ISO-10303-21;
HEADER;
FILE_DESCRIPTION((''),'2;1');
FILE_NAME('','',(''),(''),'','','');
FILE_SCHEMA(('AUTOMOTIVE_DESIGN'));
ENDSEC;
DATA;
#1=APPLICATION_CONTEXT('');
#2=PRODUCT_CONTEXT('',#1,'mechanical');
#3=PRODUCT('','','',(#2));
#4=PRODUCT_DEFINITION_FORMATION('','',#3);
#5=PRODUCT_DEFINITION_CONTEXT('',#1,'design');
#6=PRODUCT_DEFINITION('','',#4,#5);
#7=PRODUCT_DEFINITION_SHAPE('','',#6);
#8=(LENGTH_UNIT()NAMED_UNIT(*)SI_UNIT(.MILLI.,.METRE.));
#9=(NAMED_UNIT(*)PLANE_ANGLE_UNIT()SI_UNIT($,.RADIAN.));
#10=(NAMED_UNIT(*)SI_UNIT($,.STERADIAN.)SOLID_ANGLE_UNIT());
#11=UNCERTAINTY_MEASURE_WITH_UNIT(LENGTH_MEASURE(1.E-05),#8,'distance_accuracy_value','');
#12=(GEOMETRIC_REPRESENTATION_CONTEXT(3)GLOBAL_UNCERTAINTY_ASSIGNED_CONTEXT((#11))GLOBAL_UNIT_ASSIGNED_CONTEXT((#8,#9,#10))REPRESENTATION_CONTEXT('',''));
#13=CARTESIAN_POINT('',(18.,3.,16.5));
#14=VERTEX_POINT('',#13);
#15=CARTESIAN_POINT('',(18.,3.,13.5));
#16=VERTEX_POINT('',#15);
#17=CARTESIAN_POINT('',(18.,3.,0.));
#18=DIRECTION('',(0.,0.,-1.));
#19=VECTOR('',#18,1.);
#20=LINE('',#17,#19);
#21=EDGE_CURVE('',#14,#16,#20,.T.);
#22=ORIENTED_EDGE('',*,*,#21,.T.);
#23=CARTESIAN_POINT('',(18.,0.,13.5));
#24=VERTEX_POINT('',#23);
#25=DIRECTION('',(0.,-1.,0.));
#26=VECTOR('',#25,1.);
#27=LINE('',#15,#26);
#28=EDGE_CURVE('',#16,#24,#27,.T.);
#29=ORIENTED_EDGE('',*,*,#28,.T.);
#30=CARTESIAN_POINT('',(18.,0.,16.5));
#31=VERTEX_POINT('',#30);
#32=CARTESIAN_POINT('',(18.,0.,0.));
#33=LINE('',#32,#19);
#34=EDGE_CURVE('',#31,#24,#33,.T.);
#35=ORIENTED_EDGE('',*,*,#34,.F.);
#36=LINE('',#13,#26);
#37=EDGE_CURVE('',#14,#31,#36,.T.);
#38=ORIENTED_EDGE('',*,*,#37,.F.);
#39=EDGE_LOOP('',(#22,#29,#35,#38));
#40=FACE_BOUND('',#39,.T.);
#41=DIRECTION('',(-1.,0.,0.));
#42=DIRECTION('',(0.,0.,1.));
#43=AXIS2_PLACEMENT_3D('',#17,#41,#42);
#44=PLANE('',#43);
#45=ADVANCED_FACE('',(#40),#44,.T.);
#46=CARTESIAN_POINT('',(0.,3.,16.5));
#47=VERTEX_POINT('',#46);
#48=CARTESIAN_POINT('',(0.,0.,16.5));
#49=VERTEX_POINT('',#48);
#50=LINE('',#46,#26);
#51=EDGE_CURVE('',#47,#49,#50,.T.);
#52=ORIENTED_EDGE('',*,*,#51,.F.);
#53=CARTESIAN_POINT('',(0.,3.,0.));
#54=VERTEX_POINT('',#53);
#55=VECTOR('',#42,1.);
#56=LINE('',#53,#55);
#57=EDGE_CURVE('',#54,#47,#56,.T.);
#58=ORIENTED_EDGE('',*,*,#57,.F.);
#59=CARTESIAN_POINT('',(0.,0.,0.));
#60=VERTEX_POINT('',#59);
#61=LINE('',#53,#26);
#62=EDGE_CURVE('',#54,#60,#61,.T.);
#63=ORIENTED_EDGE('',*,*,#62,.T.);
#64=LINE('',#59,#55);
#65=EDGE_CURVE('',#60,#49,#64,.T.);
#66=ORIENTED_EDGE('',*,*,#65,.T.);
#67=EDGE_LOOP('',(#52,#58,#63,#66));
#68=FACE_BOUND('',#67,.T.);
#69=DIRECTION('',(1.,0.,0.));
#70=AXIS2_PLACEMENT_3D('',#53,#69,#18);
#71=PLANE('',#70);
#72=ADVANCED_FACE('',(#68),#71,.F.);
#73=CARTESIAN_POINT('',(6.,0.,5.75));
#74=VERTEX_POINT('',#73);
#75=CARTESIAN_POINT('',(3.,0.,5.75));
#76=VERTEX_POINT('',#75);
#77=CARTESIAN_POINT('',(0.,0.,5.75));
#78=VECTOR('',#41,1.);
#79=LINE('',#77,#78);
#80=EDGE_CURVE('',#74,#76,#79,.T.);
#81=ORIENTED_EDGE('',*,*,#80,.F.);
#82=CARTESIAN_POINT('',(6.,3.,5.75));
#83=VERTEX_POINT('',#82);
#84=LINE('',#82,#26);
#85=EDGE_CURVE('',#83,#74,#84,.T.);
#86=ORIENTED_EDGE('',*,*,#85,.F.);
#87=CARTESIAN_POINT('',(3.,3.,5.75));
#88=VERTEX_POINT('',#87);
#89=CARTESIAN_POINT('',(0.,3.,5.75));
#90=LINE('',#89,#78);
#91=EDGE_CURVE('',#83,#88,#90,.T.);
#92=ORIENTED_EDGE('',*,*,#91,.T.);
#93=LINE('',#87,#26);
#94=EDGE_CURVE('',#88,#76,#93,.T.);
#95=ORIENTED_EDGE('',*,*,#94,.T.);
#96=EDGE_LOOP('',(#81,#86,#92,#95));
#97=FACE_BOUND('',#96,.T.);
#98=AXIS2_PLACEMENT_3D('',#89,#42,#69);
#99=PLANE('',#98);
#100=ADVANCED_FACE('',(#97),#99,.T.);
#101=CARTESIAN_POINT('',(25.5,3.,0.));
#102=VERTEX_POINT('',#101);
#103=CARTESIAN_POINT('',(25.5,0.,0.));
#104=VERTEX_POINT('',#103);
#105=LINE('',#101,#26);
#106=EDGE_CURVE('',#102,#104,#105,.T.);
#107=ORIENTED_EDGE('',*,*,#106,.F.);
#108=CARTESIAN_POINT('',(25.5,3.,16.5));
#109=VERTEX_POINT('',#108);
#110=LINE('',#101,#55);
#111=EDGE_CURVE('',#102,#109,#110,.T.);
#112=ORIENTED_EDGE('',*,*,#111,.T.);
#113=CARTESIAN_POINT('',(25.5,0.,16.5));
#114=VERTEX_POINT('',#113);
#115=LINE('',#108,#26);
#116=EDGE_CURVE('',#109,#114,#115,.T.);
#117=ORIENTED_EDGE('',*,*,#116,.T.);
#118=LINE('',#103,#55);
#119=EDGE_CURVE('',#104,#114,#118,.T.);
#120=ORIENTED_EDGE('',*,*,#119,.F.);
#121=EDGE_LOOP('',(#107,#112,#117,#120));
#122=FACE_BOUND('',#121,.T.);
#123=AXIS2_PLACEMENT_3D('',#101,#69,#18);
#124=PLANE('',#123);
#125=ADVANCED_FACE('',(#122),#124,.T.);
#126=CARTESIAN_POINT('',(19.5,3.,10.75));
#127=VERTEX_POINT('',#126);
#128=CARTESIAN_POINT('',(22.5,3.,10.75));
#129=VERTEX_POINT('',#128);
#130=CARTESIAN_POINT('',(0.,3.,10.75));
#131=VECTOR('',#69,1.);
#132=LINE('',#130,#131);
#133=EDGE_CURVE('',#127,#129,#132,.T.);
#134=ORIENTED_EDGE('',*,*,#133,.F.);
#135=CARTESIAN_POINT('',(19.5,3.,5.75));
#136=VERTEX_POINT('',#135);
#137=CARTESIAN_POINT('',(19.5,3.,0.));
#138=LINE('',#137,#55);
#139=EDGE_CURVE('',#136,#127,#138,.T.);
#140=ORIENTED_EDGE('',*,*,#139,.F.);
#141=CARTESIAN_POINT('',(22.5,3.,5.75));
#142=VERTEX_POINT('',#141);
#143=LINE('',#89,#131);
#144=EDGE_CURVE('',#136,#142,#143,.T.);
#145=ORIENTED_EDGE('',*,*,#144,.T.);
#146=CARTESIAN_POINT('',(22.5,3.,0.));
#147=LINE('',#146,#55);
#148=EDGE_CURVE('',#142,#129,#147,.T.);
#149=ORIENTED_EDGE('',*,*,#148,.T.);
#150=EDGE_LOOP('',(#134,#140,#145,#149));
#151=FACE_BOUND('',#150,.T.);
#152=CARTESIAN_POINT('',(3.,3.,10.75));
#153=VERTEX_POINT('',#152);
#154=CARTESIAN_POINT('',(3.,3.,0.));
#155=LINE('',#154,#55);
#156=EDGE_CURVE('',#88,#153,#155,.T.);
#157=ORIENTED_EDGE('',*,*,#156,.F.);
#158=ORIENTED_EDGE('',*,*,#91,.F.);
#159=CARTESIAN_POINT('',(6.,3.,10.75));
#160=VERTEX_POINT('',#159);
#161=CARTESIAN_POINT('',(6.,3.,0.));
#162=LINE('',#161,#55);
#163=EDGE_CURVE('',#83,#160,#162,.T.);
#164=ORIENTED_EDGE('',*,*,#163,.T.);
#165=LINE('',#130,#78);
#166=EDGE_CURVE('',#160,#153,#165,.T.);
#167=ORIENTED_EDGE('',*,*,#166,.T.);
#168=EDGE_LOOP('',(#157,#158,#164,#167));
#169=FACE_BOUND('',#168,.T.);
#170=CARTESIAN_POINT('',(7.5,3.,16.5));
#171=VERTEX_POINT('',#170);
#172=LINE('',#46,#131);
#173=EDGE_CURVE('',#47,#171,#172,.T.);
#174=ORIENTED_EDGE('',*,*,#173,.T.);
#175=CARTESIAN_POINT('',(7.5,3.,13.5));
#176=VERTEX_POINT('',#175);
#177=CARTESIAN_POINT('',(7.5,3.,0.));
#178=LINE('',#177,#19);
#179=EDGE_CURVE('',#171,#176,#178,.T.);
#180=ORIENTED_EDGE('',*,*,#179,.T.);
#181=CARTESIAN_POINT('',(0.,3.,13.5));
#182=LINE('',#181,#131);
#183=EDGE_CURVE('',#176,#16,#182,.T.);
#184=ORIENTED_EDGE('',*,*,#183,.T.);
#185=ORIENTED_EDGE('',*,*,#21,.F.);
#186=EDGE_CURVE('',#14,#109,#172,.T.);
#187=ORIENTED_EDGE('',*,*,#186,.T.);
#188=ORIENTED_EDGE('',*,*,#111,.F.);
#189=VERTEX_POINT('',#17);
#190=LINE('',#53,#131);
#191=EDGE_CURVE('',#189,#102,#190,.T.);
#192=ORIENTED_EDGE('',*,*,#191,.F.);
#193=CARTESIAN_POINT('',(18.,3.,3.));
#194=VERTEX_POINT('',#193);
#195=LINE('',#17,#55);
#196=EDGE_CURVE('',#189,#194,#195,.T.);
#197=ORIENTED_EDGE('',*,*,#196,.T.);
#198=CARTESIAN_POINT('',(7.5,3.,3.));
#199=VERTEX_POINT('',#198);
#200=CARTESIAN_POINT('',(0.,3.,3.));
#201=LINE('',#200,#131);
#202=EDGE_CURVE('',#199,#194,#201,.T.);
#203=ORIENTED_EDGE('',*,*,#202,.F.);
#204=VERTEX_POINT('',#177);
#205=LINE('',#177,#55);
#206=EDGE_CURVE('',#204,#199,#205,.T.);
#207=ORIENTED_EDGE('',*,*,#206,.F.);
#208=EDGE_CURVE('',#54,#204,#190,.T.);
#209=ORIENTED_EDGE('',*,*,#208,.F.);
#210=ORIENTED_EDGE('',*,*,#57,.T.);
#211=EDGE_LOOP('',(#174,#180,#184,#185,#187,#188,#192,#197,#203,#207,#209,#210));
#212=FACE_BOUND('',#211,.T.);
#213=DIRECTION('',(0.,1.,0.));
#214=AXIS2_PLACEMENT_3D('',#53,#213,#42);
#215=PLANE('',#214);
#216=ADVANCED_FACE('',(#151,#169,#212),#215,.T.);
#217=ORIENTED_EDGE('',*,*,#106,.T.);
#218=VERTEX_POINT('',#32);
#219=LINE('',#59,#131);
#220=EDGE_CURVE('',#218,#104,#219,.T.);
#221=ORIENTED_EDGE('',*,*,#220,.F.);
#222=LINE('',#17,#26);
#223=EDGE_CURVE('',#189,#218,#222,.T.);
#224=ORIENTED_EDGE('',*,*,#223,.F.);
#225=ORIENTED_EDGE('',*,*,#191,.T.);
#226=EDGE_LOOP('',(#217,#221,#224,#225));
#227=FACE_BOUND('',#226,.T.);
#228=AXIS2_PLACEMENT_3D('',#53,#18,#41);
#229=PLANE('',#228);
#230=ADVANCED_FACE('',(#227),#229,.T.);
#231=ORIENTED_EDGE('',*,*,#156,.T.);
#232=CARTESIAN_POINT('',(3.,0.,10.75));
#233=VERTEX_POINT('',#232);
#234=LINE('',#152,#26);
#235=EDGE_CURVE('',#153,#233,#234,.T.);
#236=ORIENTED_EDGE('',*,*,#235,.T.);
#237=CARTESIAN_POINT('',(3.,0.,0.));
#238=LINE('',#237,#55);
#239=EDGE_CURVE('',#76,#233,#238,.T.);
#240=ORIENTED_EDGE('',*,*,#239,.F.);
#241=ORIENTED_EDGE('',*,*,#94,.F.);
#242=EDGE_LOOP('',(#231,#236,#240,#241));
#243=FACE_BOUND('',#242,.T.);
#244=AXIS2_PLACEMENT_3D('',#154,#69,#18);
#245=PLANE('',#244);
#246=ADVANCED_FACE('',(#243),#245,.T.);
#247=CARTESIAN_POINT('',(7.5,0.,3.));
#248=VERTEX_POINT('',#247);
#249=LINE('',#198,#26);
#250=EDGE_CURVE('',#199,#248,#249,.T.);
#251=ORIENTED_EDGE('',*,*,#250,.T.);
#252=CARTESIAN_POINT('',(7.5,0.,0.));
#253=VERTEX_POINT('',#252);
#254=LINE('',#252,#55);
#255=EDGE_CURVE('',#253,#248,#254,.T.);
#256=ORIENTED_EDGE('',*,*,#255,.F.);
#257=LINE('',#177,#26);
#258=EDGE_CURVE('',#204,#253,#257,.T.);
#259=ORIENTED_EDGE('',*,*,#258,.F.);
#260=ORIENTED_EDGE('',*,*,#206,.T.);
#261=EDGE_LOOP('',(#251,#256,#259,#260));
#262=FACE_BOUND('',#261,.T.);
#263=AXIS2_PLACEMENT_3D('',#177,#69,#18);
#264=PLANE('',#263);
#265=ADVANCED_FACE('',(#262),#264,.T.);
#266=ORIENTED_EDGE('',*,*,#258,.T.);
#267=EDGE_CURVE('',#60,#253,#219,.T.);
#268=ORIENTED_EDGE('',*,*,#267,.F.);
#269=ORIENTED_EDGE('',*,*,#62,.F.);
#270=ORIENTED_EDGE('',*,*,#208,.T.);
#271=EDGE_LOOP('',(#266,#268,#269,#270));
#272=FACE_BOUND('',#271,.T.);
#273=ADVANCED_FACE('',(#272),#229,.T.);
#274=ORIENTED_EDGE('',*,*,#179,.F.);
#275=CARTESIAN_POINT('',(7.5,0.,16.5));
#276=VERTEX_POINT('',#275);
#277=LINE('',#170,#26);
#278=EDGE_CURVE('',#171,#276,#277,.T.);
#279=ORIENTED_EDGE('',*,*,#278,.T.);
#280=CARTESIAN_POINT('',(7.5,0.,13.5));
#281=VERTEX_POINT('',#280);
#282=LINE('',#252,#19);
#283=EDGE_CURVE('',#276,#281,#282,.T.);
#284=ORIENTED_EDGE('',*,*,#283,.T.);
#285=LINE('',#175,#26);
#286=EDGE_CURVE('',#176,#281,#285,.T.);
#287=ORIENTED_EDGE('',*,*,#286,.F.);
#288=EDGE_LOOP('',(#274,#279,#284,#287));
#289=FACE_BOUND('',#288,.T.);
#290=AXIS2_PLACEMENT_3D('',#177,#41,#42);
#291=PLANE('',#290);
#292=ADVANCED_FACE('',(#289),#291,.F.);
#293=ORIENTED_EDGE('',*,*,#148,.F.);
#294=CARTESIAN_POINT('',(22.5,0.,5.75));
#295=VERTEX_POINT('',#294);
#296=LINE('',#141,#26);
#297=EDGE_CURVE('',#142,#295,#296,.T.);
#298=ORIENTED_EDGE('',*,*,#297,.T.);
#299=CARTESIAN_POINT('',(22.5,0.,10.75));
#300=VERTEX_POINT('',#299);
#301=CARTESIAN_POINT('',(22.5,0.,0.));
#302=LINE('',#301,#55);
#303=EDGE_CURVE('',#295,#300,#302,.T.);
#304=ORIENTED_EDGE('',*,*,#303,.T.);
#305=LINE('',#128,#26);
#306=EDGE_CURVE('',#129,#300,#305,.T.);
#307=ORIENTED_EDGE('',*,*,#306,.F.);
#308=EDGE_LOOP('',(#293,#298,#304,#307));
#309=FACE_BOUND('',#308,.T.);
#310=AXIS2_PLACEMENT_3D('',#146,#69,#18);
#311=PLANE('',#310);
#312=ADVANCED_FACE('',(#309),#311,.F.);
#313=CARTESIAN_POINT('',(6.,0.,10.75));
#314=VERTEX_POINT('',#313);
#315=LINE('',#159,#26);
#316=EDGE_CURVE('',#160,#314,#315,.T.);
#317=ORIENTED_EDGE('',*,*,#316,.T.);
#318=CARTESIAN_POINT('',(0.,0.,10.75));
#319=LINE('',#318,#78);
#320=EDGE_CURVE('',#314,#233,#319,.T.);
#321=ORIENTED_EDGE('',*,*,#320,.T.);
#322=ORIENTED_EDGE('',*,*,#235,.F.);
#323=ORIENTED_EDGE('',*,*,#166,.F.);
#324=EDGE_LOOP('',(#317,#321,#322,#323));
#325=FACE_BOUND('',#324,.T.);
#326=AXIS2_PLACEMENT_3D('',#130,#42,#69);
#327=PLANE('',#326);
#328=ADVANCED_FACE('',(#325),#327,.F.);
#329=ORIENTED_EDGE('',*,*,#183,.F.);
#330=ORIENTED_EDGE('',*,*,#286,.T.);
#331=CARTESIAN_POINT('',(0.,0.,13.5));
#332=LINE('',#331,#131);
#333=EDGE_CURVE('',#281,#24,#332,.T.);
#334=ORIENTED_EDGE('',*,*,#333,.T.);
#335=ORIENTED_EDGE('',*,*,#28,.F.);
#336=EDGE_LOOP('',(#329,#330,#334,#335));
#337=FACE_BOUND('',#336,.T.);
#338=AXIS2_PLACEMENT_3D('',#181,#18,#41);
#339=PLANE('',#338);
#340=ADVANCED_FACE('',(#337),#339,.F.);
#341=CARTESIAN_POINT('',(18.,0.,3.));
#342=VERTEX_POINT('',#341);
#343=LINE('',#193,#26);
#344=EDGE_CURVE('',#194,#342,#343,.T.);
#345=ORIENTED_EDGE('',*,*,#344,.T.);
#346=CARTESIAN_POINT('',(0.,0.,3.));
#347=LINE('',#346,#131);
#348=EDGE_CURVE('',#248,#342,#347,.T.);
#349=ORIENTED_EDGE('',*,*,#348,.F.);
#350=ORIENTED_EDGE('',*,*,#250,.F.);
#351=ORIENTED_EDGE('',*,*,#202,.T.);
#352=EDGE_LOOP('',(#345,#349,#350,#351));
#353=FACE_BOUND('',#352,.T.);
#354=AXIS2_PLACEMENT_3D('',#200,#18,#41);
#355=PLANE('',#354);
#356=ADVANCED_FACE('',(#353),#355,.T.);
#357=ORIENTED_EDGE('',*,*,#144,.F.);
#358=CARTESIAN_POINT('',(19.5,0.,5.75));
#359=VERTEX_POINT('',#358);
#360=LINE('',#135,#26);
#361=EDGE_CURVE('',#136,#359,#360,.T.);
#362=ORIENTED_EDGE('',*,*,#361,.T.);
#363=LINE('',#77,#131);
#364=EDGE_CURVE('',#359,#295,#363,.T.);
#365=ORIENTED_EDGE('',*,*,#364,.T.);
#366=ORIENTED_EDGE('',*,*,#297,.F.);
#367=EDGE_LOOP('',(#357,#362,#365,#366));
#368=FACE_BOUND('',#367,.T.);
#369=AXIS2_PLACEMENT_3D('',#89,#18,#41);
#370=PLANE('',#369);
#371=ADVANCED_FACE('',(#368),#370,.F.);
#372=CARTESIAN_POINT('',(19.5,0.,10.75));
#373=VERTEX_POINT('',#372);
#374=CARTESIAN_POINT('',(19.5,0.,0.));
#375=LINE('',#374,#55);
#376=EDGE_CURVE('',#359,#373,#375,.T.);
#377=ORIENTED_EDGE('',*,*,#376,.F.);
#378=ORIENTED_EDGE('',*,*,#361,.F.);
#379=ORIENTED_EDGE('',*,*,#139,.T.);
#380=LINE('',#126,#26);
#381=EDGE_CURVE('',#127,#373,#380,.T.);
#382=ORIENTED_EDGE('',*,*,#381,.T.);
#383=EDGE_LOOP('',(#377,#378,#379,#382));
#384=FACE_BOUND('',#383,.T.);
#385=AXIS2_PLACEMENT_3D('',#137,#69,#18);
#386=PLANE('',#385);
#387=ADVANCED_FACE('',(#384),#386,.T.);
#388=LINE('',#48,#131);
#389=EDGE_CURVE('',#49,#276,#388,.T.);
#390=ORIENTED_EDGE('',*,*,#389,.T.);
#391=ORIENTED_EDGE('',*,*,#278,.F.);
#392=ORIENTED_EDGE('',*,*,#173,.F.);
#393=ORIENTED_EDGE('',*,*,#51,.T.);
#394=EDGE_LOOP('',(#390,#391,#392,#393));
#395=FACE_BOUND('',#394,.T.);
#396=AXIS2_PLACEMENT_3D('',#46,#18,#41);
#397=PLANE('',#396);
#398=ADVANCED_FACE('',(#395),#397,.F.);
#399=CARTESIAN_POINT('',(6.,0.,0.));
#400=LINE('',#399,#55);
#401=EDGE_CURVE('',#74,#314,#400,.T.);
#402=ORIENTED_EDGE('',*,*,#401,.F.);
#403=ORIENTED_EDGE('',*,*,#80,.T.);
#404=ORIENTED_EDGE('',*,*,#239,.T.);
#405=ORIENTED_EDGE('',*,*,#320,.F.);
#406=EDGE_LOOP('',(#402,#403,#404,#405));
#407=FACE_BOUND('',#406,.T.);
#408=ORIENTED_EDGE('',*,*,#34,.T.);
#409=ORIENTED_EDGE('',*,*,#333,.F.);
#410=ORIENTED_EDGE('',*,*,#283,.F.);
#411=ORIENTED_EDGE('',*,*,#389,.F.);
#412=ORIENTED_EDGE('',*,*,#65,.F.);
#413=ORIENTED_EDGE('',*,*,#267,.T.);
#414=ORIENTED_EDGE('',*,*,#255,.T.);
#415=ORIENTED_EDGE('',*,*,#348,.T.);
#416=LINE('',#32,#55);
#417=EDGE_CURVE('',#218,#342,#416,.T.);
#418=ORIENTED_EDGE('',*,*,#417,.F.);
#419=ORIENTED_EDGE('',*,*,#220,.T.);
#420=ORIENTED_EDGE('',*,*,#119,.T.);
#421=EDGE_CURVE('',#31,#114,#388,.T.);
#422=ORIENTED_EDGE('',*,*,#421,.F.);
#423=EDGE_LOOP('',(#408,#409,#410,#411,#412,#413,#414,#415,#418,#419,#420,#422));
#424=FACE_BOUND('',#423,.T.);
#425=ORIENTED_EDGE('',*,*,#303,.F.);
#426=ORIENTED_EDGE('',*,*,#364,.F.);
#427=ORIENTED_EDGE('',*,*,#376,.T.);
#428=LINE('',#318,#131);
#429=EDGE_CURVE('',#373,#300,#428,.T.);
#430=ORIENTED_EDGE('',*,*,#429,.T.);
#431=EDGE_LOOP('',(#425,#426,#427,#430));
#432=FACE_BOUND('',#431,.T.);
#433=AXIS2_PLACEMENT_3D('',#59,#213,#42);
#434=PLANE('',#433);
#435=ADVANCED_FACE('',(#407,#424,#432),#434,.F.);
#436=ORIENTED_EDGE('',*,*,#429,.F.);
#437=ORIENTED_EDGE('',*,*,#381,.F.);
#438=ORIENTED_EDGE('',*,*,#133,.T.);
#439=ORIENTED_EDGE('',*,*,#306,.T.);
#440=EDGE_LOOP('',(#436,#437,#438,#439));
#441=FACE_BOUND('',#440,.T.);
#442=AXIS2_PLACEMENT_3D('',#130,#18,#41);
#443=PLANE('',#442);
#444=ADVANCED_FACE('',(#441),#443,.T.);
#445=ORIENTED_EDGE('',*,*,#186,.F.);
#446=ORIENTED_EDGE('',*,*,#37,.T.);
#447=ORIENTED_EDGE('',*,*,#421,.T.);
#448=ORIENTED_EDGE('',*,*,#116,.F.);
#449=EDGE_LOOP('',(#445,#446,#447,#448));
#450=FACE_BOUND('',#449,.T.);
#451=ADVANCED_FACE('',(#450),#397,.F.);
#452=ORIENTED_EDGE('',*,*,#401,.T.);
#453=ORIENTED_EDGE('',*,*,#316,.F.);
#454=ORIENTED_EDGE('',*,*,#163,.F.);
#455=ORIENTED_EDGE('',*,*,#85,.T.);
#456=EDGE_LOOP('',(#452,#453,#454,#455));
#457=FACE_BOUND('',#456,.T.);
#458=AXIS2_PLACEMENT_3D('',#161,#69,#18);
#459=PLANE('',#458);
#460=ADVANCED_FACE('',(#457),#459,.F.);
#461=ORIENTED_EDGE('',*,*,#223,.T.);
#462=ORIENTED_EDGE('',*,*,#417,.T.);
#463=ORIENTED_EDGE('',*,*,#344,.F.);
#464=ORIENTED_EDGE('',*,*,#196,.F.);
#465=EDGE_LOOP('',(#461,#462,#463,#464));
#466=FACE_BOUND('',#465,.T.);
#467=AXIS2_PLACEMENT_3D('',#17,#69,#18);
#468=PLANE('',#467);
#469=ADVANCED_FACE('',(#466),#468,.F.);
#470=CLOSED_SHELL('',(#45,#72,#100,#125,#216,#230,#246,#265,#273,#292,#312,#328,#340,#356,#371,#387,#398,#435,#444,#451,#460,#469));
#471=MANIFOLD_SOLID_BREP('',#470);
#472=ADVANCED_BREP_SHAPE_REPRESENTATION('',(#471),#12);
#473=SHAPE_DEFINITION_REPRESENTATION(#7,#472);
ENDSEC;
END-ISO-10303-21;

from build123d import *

# Parameters (mm, degrees)
EXTRUDE_1_DEPTH = 3


with BuildPart() as part:
    # 草图1 → 凸台-拉伸1 (new body)
    with BuildSketch(Plane(origin=(0, 0, 0), x_dir=(1, 0, 0), z_dir=(0, 1, 0))):
        Polygon((3, -8.25), (0, -8.25), (0, -16.5), (7.5, -16.5), (7.5, -13.5), (12.75, -13.5), (12.75, -8.25), (6, -8.25), (6, -10.75), (3, -10.75), align=None)
        Polygon((0, 0), (0, -8.25), (3, -8.25), (3, -5.75), (6, -5.75), (6, -8.25), (12.75, -8.25), (12.75, -3), (7.5, -3), (7.5, 0), align=None)
        Polygon((12.75, -3), (12.75, -8.25), (19.5, -8.25), (19.5, -5.75), (22.5, -5.75), (22.5, -8.25), (25.5, -8.25), (25.5, 0), (18, 0), (18, -3), align=None)
        Polygon((19.5, -8.25), (12.75, -8.25), (12.75, -13.5), (18, -13.5), (18, -16.5), (25.5, -16.5), (25.5, -8.25), (22.5, -8.25), (22.5, -10.75), (19.5, -10.75), align=None)
    extrude(amount=EXTRUDE_1_DEPTH)


solid = part.part
